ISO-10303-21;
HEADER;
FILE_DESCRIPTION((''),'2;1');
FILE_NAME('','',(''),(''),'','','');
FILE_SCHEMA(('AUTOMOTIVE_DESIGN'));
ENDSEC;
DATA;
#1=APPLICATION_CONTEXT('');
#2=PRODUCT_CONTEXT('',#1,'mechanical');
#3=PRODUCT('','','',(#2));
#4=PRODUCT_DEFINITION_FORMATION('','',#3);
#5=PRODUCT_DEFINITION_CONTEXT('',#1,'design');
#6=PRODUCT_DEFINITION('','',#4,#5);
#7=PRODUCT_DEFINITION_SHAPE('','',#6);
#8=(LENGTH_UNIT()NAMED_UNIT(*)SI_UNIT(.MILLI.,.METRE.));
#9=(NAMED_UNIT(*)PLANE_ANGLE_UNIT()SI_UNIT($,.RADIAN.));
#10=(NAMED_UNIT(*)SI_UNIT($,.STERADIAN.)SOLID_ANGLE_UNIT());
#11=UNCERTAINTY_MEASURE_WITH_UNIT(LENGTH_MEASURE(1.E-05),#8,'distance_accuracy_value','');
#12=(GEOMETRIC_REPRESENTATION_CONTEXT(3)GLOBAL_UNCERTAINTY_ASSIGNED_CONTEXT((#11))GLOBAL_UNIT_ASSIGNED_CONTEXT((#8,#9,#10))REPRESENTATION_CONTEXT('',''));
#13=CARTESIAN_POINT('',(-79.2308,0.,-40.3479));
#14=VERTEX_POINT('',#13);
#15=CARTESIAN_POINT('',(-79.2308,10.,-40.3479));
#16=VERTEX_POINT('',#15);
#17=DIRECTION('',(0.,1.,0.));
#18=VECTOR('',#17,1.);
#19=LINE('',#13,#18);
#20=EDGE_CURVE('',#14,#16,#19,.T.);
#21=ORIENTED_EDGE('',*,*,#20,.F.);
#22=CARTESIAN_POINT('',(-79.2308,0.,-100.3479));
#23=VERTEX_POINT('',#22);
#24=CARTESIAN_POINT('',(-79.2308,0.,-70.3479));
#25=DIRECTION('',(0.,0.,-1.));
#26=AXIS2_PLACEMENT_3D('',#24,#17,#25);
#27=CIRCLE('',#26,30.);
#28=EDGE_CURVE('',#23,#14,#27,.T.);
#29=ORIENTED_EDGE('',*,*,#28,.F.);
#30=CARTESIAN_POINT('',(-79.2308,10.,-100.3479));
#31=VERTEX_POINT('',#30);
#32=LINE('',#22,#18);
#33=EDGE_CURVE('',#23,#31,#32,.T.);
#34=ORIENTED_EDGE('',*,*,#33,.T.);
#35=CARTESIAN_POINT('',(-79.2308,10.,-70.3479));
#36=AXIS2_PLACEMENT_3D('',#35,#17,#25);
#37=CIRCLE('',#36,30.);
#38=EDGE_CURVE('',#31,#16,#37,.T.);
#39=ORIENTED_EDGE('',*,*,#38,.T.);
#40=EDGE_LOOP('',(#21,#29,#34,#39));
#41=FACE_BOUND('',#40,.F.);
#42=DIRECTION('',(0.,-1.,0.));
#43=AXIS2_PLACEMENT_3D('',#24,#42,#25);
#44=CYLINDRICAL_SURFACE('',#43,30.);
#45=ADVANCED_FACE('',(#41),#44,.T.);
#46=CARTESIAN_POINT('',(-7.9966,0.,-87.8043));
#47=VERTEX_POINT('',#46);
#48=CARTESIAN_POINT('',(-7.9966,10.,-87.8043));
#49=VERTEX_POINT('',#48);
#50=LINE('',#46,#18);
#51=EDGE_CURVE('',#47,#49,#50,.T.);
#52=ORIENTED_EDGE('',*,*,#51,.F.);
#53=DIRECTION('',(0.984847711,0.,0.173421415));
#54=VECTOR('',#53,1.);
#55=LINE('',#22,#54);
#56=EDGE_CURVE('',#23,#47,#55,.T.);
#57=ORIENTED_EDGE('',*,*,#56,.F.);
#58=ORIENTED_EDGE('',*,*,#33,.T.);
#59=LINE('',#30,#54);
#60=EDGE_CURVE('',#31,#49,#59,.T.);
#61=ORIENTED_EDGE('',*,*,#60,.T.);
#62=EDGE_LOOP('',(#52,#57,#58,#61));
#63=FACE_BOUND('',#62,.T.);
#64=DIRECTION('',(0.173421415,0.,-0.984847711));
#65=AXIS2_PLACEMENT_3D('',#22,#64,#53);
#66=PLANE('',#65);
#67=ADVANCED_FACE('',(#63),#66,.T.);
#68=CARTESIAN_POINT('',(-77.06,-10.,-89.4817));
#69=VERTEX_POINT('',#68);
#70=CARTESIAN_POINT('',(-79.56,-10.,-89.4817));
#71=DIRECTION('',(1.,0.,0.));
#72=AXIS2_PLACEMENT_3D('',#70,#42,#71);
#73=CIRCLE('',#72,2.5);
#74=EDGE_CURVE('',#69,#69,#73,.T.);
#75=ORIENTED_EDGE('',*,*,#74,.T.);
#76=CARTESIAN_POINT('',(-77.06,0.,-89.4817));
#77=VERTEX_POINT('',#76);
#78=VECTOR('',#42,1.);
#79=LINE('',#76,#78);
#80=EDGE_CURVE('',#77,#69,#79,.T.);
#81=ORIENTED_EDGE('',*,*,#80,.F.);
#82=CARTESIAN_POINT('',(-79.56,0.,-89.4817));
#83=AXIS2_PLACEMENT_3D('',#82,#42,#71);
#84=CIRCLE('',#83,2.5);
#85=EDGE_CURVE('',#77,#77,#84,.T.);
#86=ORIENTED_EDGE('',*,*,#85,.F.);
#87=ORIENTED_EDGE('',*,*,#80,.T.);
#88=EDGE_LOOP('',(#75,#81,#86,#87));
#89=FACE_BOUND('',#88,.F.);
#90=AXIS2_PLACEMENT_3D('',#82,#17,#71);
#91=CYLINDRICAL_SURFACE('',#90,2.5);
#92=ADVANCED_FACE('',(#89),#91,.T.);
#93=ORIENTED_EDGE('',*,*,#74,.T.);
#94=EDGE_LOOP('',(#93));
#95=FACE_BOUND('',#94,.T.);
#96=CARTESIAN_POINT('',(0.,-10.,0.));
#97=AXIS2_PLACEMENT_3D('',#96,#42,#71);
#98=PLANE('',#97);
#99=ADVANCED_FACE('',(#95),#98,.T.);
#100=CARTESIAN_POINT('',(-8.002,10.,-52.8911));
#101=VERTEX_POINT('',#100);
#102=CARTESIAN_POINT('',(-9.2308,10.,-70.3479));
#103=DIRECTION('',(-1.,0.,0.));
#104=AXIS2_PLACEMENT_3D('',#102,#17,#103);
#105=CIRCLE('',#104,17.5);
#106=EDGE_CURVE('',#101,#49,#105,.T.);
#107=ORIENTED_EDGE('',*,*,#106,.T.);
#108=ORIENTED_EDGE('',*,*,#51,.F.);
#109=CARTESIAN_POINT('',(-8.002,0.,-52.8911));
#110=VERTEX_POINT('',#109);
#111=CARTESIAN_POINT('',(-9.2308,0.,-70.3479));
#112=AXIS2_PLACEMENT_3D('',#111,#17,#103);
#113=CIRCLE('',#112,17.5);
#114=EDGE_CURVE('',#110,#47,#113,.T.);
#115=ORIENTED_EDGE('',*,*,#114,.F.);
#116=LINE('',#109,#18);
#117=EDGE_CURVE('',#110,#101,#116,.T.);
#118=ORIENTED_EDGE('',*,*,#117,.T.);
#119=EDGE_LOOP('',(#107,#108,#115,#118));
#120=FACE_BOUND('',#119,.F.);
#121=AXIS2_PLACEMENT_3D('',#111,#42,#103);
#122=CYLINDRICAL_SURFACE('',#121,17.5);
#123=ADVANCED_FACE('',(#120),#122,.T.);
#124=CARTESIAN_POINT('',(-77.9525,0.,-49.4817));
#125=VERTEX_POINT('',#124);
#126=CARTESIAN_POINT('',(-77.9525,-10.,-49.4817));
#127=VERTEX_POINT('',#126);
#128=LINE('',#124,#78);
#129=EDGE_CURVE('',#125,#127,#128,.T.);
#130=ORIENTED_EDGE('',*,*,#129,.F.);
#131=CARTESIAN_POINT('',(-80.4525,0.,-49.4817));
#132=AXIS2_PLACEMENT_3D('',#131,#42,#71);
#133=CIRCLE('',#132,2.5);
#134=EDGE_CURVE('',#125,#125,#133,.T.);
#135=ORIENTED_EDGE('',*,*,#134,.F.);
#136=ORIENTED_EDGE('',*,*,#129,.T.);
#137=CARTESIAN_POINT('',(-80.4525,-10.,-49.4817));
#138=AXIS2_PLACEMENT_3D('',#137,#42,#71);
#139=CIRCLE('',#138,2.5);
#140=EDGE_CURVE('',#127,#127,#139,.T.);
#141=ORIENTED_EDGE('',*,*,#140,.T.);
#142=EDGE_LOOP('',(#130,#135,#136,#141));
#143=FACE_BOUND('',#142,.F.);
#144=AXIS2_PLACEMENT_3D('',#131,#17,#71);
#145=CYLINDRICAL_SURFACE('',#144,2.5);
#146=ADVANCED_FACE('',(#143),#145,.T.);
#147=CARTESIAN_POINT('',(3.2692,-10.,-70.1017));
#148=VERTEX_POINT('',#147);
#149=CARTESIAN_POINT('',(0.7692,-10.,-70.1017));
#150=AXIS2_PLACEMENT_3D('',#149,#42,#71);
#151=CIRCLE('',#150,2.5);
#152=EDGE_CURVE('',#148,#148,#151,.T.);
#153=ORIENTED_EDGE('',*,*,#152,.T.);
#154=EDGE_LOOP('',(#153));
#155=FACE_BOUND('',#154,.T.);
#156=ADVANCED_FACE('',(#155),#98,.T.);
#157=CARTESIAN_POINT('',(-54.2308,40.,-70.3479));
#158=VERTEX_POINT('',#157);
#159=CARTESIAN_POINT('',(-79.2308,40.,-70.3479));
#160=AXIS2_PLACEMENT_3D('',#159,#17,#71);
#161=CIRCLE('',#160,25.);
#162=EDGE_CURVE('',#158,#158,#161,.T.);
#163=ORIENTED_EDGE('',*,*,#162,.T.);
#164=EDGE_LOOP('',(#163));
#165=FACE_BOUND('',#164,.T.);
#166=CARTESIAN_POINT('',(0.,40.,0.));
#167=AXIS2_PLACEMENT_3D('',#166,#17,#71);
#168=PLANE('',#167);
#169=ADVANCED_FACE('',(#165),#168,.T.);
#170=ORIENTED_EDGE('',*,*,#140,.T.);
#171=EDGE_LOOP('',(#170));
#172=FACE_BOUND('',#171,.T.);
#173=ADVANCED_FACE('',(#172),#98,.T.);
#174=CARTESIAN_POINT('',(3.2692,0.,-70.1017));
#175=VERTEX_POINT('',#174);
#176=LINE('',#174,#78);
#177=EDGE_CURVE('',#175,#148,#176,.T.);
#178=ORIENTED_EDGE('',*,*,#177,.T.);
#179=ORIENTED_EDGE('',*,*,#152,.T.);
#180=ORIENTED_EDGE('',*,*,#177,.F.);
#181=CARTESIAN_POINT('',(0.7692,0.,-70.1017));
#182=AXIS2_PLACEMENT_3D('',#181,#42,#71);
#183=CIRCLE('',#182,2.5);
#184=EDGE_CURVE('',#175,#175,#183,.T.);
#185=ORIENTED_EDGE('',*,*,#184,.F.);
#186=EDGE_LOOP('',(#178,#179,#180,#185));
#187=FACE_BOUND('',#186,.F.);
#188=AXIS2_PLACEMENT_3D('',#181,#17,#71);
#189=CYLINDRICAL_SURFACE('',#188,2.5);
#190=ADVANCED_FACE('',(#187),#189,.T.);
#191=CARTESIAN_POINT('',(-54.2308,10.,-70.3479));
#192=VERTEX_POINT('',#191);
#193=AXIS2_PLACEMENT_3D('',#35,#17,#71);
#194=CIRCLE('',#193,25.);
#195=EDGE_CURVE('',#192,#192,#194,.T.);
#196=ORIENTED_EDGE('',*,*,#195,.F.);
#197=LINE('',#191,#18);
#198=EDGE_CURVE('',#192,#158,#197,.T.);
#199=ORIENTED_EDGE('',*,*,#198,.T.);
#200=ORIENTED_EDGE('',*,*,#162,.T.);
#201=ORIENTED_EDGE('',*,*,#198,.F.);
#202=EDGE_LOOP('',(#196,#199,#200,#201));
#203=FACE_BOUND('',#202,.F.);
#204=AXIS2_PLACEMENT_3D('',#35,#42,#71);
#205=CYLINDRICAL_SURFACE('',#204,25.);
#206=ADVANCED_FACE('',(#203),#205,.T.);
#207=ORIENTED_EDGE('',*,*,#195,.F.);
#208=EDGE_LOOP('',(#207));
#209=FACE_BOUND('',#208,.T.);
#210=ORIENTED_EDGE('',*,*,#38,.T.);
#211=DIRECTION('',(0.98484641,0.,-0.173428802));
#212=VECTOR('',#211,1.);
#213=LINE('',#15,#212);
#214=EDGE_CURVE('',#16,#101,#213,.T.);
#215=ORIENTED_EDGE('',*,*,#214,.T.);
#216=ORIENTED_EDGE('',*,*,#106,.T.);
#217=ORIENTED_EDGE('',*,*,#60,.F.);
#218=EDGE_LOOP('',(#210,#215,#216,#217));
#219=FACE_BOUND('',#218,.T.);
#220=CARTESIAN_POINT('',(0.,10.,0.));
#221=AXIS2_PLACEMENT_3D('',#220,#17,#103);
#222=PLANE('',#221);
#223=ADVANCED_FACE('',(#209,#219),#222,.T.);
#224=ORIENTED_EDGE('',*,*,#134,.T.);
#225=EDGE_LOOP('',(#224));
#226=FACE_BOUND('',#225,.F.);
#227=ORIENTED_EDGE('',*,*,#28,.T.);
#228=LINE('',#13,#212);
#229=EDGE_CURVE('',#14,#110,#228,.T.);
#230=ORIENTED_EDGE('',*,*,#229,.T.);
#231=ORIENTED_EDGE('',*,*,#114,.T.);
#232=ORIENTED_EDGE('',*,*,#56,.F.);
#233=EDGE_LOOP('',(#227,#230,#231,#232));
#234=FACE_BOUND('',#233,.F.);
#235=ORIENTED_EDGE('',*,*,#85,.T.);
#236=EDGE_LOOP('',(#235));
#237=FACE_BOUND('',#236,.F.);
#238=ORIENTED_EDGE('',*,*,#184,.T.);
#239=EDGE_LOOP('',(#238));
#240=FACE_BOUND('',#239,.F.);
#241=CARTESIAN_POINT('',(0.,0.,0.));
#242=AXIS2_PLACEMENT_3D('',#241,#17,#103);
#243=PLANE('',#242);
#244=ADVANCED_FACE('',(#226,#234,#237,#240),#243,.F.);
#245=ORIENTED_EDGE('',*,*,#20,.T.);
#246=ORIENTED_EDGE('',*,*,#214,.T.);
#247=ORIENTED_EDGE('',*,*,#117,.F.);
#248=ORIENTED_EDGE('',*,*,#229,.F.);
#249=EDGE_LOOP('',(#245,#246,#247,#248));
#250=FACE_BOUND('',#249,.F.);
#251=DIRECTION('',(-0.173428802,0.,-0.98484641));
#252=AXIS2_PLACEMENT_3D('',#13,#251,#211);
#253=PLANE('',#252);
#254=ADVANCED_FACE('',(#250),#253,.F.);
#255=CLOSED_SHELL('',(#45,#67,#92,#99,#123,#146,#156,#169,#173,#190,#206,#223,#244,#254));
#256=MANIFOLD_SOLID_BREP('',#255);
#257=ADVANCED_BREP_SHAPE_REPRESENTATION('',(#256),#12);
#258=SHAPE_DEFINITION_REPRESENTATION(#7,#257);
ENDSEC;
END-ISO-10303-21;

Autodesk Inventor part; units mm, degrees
ref_plane "YZ Plane" through (0, 0, 0) normal (1, 0, 0) x (0, 1, 0)
ref_plane "XZ Plane" through (0, 0, 0) normal (0, 1, 0) x (-1, 0, 0)
ref_plane "XY Plane" through (0, 0, 0) normal (0, 0, 1) x (1, 0, 0)
sketch "Skizze1" plane through (0, 0, 0) normal (0, 1, 0) x (-1, 0, 0)
  circle A0 centre (9.2308, -70.3479) radius 17.5
  arc A1 (79.2308, -100.3479) -> (79.2308, -40.3479) centre (79.2308, -70.3479) ccw
  line L0 (79.2308, -40.3479) -> (8.002, -52.8911)
  line L1 (79.2308, -100.3479) -> (7.9966, -87.8043)
  circle A2 centre (79.2308, -70.3479) radius 20
  point P0 (0, 0)
  dimension "d1" = 35
  dimension "d20" = 30
  dimension "d21" = 70
  dimension "d22" = 0
  dimension "d24" = 40
extrude "Extrusion1" add sketch "Skizze1" along normal blind 10 contours A0 | A0 L0 A1 L1 | A2
sketch "Skizze2" plane through (0, 10, 0) normal (0, 1, 0) x (1, 0, 0)
  arc A0 (-79.2308, 100.3479) -> (-79.2308, 40.3479) centre (-79.2308, 70.3479) ccw projected
  circle A1 centre (-79.2308, 70.3479) radius 25
  point P0 (0, 0)
  dimension "d23" = 50
extrude "Extrusion2" add sketch "Skizze2" along normal blind 30
sketch "Skizze3" plane through (0, 0, 0) normal (0, -1, 0) x (1, 0, 0)
  circle A0 centre (-79.56, -89.4817) radius 2.5
  circle A1 centre (-80.4525, -49.4817) radius 2.5
  circle A2 centre (0.7692, -70.1017) radius 2.5
  arc A3 (-8.002, -52.8911) -> (-8.002, -52.8911) centre (-9.2308, -70.3479) ccw projected
  point P0 (0, 0)
  point P1 (-8.4112, -91.1215)
  point P2 (-79.56, -69.4817)
  dimension "d7" = 5
  dimension "d8" = 5
  dimension "d9" = 5
  dimension "d10" = 10
  dimension "d11" = 20
  dimension "d12" = 0
  dimension "d13" = 20
extrude "Extrusion3" add sketch "Skizze3" along normal blind 10 contours A0 | A1 | A2
properties part number "LIDAR-Sensor"
